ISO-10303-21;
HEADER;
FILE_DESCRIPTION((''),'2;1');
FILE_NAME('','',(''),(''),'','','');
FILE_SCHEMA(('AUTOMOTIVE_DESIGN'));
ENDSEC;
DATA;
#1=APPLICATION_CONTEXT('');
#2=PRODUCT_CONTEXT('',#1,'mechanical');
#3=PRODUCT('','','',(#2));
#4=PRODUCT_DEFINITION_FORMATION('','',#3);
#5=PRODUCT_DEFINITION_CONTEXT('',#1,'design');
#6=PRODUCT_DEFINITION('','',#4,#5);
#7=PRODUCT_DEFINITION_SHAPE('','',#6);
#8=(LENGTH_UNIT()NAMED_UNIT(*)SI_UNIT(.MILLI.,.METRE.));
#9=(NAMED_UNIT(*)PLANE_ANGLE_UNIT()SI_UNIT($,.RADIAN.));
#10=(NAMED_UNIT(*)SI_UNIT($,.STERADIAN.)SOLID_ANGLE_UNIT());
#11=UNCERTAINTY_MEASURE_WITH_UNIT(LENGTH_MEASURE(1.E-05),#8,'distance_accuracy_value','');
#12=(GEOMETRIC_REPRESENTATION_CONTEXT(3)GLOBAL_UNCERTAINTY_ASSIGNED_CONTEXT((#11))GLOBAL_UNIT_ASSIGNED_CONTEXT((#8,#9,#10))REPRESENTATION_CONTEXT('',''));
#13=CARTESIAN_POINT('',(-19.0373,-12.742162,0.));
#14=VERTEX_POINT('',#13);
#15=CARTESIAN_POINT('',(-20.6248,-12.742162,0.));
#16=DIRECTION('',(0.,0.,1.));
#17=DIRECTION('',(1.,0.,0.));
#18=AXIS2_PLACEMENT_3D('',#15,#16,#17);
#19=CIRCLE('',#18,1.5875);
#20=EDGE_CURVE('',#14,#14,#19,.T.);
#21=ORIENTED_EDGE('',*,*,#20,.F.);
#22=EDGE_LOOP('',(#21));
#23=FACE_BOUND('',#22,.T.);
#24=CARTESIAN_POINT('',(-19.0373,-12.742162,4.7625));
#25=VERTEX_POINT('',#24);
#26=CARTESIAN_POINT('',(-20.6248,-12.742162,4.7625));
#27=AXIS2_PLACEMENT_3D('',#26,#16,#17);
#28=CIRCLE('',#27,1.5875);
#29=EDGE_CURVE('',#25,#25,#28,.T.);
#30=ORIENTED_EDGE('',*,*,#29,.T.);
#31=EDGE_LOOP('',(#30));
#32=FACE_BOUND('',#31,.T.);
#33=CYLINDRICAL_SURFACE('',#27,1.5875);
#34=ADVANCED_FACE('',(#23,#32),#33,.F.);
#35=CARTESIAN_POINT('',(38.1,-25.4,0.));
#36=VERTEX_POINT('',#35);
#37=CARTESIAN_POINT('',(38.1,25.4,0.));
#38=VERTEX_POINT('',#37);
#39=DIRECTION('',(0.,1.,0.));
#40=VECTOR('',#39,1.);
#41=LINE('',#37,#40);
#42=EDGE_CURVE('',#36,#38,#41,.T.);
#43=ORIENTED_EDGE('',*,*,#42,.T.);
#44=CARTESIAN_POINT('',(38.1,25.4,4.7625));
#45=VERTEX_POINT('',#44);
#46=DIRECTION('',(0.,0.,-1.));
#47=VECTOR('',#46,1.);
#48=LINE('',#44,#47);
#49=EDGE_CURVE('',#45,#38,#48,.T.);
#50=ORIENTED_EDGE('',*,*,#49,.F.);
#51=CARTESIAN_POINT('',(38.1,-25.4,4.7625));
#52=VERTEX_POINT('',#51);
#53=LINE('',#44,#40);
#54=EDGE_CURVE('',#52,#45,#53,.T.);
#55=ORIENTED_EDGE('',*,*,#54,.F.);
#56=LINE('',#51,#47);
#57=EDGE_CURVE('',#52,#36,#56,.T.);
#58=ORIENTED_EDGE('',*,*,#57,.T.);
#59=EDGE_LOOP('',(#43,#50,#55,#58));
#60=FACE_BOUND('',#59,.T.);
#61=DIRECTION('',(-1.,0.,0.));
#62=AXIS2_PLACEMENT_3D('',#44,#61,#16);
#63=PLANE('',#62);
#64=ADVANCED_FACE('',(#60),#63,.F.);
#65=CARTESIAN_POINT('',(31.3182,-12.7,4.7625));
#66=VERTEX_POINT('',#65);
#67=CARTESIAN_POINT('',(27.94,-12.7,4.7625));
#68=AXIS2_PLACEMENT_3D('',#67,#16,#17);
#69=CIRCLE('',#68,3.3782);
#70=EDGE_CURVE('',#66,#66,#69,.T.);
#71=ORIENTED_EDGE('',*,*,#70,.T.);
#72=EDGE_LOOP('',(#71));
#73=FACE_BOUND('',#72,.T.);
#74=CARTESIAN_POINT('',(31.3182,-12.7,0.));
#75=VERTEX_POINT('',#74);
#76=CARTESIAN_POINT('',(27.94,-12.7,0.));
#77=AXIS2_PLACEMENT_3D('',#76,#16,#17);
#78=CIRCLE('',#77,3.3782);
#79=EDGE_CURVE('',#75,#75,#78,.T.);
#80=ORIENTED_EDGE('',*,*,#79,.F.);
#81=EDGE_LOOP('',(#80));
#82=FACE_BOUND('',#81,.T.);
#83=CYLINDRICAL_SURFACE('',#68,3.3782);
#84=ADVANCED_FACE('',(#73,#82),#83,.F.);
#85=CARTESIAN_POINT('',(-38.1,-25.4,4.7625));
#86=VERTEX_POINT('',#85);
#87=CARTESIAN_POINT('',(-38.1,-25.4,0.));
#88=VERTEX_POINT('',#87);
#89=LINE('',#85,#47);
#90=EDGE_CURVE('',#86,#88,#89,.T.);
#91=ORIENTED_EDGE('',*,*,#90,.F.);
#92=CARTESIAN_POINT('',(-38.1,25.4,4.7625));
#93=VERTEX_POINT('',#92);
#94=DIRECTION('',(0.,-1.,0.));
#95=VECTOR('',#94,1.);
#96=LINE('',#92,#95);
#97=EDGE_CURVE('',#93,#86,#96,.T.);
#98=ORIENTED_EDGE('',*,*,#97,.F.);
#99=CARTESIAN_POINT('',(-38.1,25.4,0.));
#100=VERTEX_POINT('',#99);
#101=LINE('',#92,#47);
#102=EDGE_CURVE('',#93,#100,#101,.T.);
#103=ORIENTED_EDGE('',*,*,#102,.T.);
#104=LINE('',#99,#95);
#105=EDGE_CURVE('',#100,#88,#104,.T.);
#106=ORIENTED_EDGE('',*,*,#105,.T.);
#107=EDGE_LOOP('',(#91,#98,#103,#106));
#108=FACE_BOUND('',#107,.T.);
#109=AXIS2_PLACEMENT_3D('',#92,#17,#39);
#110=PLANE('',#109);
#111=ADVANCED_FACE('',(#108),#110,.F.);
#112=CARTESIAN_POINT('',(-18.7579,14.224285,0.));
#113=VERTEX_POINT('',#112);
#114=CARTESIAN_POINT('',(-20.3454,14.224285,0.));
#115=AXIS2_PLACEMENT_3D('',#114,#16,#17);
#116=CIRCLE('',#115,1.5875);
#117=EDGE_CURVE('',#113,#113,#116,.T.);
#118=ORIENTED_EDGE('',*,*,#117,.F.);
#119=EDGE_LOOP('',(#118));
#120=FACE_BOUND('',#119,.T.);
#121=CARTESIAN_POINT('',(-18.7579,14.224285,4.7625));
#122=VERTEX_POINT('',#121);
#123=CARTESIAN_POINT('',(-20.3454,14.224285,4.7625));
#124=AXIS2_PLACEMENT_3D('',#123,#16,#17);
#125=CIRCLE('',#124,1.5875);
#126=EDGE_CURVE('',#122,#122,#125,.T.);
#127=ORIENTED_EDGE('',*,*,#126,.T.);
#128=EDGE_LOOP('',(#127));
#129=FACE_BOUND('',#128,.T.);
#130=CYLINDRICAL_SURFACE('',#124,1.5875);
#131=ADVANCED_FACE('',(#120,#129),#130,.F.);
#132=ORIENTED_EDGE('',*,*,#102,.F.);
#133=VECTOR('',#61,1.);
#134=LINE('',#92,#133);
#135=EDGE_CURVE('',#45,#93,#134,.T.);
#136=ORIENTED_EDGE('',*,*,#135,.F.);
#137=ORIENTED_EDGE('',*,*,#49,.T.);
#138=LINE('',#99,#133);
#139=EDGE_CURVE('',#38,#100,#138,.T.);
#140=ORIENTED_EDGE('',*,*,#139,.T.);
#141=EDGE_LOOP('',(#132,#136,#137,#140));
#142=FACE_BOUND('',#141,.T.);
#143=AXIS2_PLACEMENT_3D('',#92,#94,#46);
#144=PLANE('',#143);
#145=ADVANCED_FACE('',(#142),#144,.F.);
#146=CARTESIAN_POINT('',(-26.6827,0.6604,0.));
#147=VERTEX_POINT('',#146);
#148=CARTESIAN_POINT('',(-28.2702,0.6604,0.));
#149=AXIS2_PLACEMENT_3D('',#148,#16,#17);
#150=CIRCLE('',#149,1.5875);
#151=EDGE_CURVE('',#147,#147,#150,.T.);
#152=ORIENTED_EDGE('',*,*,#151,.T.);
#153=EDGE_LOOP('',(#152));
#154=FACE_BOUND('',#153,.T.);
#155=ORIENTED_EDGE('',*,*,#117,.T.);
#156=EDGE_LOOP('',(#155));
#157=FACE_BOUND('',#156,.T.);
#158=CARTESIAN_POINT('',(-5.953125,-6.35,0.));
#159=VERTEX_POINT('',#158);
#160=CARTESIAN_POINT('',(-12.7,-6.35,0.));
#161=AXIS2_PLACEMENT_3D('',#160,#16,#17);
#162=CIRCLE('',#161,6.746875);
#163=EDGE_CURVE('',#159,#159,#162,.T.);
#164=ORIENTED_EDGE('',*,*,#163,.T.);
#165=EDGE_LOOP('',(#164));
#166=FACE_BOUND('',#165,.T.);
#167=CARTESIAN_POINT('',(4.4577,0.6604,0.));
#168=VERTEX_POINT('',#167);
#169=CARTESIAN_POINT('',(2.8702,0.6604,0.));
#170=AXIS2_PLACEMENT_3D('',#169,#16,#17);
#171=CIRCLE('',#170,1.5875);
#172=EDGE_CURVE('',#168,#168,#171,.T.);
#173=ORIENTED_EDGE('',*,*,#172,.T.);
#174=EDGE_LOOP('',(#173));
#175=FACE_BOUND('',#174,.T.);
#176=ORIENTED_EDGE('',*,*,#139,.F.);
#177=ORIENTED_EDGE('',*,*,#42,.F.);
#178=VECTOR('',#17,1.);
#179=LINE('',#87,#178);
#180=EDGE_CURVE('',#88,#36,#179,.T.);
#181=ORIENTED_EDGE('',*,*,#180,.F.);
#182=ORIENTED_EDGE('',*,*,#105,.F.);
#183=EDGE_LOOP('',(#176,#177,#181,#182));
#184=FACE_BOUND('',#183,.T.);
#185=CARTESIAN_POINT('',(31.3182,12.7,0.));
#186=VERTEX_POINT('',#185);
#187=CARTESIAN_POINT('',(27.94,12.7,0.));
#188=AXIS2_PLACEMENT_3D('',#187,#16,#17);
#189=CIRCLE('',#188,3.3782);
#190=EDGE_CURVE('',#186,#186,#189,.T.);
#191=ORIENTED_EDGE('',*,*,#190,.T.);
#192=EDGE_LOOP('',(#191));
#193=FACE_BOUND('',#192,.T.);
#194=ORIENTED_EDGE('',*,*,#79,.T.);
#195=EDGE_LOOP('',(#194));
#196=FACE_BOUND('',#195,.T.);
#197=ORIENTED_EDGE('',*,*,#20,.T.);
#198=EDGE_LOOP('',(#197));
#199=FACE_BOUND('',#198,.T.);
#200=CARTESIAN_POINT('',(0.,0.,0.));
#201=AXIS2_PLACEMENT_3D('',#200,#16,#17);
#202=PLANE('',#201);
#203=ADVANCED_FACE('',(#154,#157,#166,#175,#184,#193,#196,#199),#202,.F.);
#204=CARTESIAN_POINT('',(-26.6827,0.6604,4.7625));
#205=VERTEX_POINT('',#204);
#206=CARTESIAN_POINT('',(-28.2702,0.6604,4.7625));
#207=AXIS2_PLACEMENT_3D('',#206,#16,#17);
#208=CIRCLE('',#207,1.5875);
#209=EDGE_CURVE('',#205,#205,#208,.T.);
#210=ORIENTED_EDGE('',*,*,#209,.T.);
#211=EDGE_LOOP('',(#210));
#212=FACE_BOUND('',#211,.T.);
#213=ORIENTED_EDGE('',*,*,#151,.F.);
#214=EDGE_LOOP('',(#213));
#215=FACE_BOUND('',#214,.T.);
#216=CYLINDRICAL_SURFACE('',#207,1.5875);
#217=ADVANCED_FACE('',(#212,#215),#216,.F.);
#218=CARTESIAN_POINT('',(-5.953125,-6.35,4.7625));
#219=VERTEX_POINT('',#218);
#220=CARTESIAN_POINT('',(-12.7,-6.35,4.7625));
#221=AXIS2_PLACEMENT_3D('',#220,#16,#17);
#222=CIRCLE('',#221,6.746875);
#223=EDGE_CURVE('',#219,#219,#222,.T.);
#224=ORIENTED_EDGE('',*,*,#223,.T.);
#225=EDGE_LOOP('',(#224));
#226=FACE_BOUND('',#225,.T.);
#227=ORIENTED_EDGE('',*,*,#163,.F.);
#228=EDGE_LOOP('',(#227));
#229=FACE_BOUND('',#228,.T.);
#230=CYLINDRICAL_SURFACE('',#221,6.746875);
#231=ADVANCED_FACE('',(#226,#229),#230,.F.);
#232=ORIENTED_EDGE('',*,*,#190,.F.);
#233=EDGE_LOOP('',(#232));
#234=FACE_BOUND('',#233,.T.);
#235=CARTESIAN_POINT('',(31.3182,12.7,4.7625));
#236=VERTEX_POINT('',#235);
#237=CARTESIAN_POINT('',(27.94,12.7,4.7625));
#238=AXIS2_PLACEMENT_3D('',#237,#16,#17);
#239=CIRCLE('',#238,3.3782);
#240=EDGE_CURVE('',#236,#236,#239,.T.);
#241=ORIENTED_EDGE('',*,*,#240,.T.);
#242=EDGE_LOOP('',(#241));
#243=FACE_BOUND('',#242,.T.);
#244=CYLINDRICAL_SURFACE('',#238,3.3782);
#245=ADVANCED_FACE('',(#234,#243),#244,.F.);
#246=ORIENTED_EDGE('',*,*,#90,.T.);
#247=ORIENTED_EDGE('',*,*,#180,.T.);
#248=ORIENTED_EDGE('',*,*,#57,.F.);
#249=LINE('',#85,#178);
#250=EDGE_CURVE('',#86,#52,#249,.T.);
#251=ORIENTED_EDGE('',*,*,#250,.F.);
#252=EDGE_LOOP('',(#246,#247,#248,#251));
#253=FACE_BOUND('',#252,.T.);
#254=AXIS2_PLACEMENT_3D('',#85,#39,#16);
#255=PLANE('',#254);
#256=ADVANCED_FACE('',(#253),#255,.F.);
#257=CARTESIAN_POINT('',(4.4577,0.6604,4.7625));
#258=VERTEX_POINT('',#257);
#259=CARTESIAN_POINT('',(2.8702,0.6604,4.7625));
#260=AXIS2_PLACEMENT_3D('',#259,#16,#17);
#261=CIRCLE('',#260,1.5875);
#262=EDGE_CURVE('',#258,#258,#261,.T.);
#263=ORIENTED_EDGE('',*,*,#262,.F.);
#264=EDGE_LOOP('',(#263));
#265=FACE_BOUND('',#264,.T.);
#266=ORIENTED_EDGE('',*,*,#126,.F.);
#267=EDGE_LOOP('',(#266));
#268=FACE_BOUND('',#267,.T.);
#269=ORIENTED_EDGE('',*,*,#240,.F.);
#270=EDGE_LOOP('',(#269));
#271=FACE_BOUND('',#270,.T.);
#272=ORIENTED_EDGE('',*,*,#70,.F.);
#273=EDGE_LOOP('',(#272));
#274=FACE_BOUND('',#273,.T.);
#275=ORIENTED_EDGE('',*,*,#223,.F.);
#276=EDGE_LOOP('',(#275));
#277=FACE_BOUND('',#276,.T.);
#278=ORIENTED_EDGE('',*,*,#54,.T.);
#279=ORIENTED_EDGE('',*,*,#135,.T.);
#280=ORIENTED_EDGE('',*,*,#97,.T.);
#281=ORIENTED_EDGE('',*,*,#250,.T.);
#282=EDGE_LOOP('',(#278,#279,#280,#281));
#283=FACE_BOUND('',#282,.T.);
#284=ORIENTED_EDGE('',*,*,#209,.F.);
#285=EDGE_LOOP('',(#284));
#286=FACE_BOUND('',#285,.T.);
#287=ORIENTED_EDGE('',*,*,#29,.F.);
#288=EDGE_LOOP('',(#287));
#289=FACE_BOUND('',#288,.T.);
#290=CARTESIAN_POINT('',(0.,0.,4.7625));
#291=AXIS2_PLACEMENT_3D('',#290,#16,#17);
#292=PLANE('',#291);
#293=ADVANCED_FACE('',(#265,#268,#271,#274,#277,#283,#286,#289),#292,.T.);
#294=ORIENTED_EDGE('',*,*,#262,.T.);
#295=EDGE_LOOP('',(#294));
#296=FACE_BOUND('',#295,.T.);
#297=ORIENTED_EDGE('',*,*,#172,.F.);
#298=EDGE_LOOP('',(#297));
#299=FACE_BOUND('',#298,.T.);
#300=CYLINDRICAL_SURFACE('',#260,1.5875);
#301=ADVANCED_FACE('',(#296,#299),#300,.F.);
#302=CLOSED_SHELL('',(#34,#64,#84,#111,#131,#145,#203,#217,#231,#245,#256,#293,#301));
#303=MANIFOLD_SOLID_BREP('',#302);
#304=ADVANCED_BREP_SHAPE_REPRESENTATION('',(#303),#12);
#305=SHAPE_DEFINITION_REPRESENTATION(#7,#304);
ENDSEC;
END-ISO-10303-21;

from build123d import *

# Parameters (mm, degrees)
SKETCH1_W                        = 76.2
SKETCH1_H                        = 50.8
BOSS_EXTRUDE1_DEPTH              = 4.7625
F_17_32_0_53125_DIAMETER_HOLE1_D = 13.49375
F_1_8_0_125_DIAMETER_HOLE1_D     = 3.175
H_0_266_DIAMETER_HOLE1_D         = 6.7564


with BuildPart() as part:
    # Sketch1 → Boss-Extrude1 (new body)
    with BuildSketch(Plane.XY):
        Rectangle(SKETCH1_W, SKETCH1_H)
    extrude(amount=BOSS_EXTRUDE1_DEPTH)

    # 17/32 (0.53125) Diameter Hole1 (through all)
    with Locations(Plane.XY.offset(4.7625)):
        with Locations((-12.7, -6.35)):
            Hole(F_17_32_0_53125_DIAMETER_HOLE1_D / 2)

    # 1/8 (0.125) Diameter Hole1 (through all)
    with Locations(Plane.XY.offset(4.7625)):
        with Locations((-20.3454, 14.22428539), (-28.2702, 0.6604), (-20.6248, -12.74216218), (2.8702, 0.6604)):
            Hole(F_1_8_0_125_DIAMETER_HOLE1_D / 2)

    # H (0.266) Diameter Hole1 (through all)
    with Locations(Plane.XY.offset(4.7625)):
        with Locations((27.94, 12.7), (27.94, -12.7)):
            Hole(H_0_266_DIAMETER_HOLE1_D / 2)


solid = part.part
